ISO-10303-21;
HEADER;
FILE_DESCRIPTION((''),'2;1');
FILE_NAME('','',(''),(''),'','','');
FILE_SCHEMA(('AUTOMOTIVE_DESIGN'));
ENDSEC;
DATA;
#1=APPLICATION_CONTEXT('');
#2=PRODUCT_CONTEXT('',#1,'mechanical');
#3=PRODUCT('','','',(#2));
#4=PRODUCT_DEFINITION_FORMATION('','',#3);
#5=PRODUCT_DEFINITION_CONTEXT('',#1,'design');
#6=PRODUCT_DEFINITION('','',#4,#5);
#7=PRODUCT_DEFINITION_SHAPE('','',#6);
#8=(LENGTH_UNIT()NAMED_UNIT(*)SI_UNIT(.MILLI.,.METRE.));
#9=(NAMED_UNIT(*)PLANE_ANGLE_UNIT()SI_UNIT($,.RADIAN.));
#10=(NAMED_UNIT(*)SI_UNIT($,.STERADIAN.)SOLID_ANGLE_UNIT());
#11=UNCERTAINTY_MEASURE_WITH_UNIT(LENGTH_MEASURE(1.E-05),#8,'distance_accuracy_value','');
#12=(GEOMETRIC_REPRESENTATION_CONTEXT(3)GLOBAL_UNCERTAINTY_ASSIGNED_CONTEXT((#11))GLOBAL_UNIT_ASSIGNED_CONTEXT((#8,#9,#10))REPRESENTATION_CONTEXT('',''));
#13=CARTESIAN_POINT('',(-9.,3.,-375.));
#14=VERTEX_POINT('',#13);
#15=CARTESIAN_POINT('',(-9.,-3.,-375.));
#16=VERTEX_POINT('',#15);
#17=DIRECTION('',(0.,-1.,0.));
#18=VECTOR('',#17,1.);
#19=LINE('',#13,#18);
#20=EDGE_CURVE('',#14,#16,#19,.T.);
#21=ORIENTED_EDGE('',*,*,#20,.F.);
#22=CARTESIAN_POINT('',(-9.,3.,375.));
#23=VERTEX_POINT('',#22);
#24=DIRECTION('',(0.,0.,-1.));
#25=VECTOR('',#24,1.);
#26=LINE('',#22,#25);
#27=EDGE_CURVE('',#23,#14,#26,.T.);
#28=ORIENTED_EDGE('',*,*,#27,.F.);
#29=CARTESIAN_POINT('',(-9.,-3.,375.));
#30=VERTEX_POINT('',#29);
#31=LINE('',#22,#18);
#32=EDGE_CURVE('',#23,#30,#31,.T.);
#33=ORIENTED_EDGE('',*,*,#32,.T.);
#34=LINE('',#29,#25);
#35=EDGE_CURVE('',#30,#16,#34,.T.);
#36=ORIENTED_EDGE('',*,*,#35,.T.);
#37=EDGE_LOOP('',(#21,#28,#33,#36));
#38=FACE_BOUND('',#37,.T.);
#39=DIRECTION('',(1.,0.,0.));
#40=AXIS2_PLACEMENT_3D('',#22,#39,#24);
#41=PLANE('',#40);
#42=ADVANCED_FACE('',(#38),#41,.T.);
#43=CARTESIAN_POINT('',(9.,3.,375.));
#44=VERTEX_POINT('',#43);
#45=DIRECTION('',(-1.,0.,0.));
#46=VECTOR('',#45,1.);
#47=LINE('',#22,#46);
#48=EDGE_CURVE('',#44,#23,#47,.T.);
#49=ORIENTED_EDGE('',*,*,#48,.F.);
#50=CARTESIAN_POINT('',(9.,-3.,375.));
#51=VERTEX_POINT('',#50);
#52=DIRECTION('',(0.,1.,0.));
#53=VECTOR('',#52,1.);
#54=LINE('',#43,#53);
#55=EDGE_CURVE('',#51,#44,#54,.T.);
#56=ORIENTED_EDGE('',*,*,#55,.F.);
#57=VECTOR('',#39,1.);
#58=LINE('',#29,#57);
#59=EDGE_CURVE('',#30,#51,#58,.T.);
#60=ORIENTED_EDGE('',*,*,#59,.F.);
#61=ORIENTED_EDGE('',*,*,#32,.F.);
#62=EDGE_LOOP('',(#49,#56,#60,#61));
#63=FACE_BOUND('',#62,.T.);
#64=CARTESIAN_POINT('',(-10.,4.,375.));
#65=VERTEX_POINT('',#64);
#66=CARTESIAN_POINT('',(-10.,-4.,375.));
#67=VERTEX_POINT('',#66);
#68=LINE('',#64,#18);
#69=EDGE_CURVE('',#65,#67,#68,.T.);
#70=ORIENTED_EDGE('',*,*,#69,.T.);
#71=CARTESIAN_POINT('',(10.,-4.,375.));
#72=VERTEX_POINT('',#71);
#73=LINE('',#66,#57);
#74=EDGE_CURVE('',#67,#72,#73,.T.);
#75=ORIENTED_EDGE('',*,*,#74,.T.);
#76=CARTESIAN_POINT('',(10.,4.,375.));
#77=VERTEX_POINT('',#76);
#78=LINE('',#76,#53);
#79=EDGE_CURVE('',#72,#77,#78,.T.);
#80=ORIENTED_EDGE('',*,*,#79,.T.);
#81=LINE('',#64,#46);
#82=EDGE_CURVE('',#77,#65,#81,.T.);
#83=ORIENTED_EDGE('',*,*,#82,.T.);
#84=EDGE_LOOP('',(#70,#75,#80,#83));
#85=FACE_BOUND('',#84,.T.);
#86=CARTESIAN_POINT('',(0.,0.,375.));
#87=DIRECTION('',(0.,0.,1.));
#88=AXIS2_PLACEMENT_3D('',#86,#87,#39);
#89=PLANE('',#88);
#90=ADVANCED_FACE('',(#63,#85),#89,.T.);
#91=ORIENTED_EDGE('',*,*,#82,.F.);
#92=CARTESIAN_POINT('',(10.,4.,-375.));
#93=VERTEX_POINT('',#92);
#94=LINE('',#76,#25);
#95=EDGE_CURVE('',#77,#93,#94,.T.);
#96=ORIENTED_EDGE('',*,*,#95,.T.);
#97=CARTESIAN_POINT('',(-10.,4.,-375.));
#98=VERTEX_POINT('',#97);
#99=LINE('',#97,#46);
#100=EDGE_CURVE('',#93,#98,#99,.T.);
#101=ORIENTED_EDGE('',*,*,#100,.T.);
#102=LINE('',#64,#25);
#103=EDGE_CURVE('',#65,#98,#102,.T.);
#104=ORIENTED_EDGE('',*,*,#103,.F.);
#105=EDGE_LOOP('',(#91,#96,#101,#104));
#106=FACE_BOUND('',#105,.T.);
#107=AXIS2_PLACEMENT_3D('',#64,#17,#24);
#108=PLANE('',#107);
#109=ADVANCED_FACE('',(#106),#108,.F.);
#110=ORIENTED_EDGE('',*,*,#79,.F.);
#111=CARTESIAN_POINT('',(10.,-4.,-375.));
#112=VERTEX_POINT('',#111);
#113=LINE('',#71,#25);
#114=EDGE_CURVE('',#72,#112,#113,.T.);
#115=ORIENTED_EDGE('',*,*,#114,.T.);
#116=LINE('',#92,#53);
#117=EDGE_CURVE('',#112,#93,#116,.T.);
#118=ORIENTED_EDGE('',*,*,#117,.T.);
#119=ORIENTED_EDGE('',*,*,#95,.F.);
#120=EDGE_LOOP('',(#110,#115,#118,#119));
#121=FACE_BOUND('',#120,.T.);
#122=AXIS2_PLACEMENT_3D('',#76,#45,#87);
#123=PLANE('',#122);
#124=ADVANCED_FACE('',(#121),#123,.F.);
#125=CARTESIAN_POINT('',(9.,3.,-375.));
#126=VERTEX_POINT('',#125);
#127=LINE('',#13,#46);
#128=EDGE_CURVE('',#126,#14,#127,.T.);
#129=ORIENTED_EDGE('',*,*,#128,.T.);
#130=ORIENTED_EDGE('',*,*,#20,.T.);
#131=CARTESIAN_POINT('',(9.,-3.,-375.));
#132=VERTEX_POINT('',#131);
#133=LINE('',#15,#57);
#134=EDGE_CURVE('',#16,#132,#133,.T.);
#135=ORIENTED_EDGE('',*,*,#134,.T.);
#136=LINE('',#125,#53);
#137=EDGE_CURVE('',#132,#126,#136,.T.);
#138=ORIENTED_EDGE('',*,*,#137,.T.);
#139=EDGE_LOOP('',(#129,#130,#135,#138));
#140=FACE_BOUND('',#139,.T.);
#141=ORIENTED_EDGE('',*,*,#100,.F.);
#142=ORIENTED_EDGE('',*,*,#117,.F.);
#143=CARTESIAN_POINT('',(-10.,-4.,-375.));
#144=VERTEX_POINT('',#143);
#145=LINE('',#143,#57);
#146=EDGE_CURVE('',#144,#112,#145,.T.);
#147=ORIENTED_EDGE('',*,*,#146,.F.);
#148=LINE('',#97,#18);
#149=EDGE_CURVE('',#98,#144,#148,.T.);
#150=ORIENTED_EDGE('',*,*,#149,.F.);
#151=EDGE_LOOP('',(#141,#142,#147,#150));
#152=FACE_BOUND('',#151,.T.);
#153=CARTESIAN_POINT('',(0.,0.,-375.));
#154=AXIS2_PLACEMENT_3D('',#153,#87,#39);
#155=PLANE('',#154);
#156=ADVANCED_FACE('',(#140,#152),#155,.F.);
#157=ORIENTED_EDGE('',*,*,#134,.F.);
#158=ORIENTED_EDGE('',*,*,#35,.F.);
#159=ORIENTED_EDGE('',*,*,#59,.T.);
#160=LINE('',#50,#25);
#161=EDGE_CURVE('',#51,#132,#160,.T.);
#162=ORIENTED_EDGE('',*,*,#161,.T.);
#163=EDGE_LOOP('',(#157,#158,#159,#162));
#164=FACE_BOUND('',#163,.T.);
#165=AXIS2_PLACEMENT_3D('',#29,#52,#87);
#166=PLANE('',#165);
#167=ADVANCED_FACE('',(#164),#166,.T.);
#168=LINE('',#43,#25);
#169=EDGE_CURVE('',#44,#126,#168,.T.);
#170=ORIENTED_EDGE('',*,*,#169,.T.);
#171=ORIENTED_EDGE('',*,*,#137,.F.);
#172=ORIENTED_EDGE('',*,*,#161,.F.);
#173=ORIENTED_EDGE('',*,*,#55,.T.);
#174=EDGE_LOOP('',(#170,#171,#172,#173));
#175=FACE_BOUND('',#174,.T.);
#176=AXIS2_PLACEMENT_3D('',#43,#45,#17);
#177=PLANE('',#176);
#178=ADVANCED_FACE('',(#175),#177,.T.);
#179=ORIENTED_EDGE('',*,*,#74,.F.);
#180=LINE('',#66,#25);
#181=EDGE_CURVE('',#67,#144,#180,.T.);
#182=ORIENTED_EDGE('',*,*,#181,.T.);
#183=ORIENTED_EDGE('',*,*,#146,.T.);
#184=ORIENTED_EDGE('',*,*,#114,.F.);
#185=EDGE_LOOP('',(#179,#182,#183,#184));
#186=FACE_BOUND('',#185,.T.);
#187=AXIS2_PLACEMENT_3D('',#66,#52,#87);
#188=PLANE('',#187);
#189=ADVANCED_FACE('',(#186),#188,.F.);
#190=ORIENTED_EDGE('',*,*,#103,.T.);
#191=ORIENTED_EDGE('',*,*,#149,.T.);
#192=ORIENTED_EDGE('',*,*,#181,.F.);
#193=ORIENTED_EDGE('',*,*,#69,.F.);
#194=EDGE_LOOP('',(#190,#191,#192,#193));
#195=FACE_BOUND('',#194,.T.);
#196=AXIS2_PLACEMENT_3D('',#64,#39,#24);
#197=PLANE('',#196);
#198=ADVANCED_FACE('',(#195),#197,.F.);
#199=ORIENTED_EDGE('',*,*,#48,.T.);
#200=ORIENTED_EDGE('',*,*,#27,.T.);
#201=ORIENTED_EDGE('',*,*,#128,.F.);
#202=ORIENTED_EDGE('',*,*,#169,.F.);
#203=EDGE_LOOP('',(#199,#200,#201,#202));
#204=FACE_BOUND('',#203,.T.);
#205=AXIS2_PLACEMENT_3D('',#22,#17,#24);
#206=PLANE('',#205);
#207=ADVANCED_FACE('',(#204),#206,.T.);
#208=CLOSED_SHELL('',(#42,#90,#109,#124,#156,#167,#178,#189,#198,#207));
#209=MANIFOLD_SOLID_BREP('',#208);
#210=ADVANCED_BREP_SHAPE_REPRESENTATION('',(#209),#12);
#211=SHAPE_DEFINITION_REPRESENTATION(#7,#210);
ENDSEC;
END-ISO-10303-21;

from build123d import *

# Parameters (mm, degrees)
SKETCH_1_W      = 20
SKETCH_1_H      = 8
SKETCH_1_W_2    = 18
SKETCH_1_H_2    = 6
EXTRUDE_1_DEPTH = 375


with BuildPart() as part:
    # 草图1 → 凸台-拉伸1 (new, symmetric)
    with BuildSketch(Plane.XY):
        Rectangle(SKETCH_1_W, SKETCH_1_H)
        Rectangle(SKETCH_1_W_2, SKETCH_1_H_2, mode=Mode.SUBTRACT)
    extrude(amount=EXTRUDE_1_DEPTH, both=True)


solid = part.part
